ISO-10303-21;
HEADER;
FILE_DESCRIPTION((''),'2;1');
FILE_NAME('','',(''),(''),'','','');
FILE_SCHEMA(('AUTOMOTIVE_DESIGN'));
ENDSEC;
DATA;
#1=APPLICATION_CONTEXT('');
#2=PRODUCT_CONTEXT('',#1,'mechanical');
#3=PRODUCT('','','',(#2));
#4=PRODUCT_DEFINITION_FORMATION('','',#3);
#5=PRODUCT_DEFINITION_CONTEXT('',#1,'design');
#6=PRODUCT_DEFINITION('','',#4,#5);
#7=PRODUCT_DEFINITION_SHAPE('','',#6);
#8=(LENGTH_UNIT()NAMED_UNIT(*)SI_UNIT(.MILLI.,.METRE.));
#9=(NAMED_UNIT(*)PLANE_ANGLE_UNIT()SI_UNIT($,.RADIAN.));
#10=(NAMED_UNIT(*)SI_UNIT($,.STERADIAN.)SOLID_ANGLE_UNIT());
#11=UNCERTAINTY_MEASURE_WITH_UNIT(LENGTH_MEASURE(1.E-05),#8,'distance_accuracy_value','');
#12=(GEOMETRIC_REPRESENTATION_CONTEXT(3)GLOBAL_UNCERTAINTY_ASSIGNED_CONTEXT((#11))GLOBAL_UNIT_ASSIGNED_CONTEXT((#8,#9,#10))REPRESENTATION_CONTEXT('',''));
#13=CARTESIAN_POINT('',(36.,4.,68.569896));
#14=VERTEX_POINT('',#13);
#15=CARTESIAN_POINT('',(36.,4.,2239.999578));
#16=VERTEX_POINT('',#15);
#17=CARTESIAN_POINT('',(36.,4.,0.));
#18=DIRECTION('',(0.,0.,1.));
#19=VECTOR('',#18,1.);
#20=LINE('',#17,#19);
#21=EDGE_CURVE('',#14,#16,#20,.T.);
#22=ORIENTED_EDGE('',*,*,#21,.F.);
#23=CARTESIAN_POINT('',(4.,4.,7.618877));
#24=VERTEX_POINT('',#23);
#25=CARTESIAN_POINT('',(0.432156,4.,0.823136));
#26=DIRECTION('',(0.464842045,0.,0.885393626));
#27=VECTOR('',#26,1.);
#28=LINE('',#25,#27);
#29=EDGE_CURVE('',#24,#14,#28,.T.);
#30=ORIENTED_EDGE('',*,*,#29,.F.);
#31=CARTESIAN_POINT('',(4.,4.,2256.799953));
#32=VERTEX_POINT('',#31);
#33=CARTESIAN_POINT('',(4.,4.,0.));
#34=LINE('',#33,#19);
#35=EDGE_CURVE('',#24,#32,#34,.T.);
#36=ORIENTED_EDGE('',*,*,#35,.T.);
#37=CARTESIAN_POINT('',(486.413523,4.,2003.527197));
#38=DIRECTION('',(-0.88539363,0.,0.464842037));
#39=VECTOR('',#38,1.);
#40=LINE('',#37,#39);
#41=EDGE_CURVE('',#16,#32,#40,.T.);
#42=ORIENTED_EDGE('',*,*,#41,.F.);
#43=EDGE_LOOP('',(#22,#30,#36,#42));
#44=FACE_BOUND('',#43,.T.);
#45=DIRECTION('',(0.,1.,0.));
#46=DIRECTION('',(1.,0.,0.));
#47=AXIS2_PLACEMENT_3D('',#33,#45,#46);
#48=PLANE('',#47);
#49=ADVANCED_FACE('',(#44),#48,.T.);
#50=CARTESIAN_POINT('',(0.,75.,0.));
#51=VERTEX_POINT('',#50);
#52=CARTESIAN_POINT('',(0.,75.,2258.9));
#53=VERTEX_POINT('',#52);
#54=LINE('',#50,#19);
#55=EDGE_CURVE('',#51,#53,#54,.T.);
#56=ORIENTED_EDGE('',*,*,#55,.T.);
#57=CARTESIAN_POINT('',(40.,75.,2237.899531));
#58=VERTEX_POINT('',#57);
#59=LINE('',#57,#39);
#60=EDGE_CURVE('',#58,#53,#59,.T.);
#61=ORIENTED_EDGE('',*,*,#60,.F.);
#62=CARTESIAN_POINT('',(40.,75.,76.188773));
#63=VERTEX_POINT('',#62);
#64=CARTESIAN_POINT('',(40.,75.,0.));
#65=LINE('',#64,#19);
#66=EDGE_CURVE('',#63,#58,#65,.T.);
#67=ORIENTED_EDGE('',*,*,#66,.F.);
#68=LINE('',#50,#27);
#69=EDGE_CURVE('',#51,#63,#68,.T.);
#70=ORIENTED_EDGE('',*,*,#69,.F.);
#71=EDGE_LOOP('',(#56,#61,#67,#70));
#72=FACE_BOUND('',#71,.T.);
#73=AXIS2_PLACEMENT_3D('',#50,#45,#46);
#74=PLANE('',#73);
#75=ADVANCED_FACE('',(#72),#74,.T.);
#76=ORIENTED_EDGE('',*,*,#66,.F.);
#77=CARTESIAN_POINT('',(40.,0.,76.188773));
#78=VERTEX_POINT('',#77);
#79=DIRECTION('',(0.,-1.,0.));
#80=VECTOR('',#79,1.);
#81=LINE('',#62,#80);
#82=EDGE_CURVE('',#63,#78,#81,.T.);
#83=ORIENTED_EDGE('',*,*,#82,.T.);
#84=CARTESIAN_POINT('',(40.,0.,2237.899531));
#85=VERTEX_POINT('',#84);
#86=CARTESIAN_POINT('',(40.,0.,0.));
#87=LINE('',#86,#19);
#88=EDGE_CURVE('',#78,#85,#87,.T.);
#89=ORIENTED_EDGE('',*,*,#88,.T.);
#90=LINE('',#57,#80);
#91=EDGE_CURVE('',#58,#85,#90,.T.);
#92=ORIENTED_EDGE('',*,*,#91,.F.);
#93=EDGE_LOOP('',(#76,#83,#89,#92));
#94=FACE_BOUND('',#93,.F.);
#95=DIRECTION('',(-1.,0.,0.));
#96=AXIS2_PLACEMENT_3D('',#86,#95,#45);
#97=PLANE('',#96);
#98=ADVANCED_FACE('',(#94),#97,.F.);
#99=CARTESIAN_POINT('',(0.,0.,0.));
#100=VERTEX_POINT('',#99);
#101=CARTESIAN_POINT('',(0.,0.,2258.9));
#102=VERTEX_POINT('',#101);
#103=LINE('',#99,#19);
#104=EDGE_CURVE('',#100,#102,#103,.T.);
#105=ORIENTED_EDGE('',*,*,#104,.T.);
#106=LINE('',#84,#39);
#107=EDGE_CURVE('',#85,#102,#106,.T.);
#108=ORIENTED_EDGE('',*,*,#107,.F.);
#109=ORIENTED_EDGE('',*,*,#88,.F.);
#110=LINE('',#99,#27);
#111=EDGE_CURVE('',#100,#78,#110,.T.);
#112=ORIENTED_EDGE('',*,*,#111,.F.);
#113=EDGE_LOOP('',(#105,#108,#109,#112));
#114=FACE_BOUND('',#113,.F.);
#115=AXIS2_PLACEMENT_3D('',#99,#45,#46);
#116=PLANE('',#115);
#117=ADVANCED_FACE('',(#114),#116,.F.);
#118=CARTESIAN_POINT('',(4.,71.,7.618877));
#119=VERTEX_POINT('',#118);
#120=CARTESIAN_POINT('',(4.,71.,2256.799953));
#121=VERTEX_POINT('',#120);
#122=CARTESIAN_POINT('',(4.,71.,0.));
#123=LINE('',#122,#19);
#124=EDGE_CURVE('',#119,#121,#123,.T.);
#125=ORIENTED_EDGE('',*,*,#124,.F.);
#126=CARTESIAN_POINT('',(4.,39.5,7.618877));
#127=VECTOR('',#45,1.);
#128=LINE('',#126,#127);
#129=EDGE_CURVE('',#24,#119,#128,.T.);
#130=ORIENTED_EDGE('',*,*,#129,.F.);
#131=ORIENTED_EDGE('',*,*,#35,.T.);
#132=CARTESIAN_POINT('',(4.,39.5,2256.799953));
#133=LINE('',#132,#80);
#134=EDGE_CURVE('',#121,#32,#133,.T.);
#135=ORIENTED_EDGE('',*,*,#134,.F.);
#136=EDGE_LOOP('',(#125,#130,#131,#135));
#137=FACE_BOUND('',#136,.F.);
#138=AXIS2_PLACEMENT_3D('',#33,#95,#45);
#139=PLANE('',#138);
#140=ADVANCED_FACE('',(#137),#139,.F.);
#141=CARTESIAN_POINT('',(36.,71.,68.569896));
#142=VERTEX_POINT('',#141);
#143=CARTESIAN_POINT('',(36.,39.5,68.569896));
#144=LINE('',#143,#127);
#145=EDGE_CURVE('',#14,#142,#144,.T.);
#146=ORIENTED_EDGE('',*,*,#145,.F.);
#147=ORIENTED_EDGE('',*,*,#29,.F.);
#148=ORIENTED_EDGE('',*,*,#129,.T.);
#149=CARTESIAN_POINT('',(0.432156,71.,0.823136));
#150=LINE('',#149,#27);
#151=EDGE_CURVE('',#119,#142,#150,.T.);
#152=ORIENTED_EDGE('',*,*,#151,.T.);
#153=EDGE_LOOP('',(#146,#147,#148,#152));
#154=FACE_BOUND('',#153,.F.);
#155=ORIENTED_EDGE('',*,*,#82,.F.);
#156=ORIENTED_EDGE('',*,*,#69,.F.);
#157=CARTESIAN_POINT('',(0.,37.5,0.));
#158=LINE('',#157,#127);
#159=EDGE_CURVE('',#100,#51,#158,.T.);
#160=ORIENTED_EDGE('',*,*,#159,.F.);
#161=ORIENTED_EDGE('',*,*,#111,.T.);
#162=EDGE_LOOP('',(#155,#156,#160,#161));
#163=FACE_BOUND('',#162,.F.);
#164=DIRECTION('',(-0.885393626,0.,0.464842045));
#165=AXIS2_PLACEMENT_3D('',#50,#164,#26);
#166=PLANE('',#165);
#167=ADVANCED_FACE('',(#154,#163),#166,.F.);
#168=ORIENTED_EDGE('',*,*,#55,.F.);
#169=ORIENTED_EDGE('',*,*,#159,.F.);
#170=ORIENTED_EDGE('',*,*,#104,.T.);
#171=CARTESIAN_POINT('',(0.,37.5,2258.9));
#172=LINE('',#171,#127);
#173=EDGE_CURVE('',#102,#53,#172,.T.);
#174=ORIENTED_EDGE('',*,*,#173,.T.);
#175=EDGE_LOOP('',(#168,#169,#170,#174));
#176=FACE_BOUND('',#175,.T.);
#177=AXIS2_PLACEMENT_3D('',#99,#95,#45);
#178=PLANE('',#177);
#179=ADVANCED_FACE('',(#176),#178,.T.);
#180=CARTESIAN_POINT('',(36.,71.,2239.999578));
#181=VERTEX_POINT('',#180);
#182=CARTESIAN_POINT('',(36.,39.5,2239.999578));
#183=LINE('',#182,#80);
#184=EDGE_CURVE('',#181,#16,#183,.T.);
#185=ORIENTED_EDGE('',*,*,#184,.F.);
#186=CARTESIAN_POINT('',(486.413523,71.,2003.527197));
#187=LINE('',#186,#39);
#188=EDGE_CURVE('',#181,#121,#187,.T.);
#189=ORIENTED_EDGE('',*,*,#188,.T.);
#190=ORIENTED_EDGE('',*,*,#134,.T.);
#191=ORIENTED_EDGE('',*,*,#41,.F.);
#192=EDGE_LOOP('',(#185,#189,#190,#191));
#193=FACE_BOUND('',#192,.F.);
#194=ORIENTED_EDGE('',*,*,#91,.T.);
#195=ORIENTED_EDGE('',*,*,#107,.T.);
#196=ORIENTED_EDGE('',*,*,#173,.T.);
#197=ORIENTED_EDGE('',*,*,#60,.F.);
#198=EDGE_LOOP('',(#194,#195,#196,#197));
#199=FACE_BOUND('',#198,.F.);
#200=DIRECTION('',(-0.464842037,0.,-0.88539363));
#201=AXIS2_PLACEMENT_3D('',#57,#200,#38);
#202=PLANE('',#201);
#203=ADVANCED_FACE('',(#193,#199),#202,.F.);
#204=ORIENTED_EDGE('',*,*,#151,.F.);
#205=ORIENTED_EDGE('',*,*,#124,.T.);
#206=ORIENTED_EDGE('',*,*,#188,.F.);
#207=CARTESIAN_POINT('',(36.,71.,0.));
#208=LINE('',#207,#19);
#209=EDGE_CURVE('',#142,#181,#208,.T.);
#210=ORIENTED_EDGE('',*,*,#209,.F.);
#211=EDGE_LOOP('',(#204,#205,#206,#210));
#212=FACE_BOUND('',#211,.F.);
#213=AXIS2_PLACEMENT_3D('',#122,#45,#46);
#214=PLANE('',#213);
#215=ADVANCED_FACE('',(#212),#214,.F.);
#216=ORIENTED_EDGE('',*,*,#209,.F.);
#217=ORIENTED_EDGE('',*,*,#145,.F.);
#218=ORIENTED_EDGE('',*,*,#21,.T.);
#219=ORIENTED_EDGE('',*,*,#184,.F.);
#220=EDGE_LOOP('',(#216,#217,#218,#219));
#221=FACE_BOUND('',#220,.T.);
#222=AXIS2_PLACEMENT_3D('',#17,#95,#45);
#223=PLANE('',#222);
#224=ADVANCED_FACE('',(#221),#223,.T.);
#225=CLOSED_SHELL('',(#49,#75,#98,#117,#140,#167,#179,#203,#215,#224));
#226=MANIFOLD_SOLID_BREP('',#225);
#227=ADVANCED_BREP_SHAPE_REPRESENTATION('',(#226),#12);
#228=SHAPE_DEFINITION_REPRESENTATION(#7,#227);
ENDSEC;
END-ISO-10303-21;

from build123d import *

# Parameters (mm, degrees)
F0_W     = 40
F0_H     = 75
F0_W_2   = 32
F0_H_2   = 67
F1_DEPTH = 2258.9
F3_DEPTH = 75
F5_DEPTH = 75


with BuildPart() as f1:
    # F0 (on Top) → F1 (new body)
    with BuildSketch(Plane.XY):
        with Locations((20, 37.5)):
            Rectangle(F0_W, F0_H)
        with Locations((20, 37.5)):
            Rectangle(F0_W_2, F0_H_2, mode=Mode.SUBTRACT)
    extrude(amount=F1_DEPTH)

    # F2 (on face) → F3 (cut, through all)
    with BuildSketch(Plane(origin=(0, 75, 0), x_dir=(-1, 0, 0), z_dir=(0, 1, 0))):
        Polygon((-40, 2237.899531), (0, 2258.9), (-40, 2258.9), align=None)
    extrude(amount=-F3_DEPTH, mode=Mode.SUBTRACT)

    # F4 (on face) → F5 (cut, through all)
    with BuildSketch(Plane(origin=(0, 75, 0), x_dir=(-1, 0, 0), z_dir=(0, 1, 0))):
        Polygon((-40, 0), (0, 0), (-40, 76.188773), align=None)
    extrude(amount=-F5_DEPTH, mode=Mode.SUBTRACT)


solid = f1.part
